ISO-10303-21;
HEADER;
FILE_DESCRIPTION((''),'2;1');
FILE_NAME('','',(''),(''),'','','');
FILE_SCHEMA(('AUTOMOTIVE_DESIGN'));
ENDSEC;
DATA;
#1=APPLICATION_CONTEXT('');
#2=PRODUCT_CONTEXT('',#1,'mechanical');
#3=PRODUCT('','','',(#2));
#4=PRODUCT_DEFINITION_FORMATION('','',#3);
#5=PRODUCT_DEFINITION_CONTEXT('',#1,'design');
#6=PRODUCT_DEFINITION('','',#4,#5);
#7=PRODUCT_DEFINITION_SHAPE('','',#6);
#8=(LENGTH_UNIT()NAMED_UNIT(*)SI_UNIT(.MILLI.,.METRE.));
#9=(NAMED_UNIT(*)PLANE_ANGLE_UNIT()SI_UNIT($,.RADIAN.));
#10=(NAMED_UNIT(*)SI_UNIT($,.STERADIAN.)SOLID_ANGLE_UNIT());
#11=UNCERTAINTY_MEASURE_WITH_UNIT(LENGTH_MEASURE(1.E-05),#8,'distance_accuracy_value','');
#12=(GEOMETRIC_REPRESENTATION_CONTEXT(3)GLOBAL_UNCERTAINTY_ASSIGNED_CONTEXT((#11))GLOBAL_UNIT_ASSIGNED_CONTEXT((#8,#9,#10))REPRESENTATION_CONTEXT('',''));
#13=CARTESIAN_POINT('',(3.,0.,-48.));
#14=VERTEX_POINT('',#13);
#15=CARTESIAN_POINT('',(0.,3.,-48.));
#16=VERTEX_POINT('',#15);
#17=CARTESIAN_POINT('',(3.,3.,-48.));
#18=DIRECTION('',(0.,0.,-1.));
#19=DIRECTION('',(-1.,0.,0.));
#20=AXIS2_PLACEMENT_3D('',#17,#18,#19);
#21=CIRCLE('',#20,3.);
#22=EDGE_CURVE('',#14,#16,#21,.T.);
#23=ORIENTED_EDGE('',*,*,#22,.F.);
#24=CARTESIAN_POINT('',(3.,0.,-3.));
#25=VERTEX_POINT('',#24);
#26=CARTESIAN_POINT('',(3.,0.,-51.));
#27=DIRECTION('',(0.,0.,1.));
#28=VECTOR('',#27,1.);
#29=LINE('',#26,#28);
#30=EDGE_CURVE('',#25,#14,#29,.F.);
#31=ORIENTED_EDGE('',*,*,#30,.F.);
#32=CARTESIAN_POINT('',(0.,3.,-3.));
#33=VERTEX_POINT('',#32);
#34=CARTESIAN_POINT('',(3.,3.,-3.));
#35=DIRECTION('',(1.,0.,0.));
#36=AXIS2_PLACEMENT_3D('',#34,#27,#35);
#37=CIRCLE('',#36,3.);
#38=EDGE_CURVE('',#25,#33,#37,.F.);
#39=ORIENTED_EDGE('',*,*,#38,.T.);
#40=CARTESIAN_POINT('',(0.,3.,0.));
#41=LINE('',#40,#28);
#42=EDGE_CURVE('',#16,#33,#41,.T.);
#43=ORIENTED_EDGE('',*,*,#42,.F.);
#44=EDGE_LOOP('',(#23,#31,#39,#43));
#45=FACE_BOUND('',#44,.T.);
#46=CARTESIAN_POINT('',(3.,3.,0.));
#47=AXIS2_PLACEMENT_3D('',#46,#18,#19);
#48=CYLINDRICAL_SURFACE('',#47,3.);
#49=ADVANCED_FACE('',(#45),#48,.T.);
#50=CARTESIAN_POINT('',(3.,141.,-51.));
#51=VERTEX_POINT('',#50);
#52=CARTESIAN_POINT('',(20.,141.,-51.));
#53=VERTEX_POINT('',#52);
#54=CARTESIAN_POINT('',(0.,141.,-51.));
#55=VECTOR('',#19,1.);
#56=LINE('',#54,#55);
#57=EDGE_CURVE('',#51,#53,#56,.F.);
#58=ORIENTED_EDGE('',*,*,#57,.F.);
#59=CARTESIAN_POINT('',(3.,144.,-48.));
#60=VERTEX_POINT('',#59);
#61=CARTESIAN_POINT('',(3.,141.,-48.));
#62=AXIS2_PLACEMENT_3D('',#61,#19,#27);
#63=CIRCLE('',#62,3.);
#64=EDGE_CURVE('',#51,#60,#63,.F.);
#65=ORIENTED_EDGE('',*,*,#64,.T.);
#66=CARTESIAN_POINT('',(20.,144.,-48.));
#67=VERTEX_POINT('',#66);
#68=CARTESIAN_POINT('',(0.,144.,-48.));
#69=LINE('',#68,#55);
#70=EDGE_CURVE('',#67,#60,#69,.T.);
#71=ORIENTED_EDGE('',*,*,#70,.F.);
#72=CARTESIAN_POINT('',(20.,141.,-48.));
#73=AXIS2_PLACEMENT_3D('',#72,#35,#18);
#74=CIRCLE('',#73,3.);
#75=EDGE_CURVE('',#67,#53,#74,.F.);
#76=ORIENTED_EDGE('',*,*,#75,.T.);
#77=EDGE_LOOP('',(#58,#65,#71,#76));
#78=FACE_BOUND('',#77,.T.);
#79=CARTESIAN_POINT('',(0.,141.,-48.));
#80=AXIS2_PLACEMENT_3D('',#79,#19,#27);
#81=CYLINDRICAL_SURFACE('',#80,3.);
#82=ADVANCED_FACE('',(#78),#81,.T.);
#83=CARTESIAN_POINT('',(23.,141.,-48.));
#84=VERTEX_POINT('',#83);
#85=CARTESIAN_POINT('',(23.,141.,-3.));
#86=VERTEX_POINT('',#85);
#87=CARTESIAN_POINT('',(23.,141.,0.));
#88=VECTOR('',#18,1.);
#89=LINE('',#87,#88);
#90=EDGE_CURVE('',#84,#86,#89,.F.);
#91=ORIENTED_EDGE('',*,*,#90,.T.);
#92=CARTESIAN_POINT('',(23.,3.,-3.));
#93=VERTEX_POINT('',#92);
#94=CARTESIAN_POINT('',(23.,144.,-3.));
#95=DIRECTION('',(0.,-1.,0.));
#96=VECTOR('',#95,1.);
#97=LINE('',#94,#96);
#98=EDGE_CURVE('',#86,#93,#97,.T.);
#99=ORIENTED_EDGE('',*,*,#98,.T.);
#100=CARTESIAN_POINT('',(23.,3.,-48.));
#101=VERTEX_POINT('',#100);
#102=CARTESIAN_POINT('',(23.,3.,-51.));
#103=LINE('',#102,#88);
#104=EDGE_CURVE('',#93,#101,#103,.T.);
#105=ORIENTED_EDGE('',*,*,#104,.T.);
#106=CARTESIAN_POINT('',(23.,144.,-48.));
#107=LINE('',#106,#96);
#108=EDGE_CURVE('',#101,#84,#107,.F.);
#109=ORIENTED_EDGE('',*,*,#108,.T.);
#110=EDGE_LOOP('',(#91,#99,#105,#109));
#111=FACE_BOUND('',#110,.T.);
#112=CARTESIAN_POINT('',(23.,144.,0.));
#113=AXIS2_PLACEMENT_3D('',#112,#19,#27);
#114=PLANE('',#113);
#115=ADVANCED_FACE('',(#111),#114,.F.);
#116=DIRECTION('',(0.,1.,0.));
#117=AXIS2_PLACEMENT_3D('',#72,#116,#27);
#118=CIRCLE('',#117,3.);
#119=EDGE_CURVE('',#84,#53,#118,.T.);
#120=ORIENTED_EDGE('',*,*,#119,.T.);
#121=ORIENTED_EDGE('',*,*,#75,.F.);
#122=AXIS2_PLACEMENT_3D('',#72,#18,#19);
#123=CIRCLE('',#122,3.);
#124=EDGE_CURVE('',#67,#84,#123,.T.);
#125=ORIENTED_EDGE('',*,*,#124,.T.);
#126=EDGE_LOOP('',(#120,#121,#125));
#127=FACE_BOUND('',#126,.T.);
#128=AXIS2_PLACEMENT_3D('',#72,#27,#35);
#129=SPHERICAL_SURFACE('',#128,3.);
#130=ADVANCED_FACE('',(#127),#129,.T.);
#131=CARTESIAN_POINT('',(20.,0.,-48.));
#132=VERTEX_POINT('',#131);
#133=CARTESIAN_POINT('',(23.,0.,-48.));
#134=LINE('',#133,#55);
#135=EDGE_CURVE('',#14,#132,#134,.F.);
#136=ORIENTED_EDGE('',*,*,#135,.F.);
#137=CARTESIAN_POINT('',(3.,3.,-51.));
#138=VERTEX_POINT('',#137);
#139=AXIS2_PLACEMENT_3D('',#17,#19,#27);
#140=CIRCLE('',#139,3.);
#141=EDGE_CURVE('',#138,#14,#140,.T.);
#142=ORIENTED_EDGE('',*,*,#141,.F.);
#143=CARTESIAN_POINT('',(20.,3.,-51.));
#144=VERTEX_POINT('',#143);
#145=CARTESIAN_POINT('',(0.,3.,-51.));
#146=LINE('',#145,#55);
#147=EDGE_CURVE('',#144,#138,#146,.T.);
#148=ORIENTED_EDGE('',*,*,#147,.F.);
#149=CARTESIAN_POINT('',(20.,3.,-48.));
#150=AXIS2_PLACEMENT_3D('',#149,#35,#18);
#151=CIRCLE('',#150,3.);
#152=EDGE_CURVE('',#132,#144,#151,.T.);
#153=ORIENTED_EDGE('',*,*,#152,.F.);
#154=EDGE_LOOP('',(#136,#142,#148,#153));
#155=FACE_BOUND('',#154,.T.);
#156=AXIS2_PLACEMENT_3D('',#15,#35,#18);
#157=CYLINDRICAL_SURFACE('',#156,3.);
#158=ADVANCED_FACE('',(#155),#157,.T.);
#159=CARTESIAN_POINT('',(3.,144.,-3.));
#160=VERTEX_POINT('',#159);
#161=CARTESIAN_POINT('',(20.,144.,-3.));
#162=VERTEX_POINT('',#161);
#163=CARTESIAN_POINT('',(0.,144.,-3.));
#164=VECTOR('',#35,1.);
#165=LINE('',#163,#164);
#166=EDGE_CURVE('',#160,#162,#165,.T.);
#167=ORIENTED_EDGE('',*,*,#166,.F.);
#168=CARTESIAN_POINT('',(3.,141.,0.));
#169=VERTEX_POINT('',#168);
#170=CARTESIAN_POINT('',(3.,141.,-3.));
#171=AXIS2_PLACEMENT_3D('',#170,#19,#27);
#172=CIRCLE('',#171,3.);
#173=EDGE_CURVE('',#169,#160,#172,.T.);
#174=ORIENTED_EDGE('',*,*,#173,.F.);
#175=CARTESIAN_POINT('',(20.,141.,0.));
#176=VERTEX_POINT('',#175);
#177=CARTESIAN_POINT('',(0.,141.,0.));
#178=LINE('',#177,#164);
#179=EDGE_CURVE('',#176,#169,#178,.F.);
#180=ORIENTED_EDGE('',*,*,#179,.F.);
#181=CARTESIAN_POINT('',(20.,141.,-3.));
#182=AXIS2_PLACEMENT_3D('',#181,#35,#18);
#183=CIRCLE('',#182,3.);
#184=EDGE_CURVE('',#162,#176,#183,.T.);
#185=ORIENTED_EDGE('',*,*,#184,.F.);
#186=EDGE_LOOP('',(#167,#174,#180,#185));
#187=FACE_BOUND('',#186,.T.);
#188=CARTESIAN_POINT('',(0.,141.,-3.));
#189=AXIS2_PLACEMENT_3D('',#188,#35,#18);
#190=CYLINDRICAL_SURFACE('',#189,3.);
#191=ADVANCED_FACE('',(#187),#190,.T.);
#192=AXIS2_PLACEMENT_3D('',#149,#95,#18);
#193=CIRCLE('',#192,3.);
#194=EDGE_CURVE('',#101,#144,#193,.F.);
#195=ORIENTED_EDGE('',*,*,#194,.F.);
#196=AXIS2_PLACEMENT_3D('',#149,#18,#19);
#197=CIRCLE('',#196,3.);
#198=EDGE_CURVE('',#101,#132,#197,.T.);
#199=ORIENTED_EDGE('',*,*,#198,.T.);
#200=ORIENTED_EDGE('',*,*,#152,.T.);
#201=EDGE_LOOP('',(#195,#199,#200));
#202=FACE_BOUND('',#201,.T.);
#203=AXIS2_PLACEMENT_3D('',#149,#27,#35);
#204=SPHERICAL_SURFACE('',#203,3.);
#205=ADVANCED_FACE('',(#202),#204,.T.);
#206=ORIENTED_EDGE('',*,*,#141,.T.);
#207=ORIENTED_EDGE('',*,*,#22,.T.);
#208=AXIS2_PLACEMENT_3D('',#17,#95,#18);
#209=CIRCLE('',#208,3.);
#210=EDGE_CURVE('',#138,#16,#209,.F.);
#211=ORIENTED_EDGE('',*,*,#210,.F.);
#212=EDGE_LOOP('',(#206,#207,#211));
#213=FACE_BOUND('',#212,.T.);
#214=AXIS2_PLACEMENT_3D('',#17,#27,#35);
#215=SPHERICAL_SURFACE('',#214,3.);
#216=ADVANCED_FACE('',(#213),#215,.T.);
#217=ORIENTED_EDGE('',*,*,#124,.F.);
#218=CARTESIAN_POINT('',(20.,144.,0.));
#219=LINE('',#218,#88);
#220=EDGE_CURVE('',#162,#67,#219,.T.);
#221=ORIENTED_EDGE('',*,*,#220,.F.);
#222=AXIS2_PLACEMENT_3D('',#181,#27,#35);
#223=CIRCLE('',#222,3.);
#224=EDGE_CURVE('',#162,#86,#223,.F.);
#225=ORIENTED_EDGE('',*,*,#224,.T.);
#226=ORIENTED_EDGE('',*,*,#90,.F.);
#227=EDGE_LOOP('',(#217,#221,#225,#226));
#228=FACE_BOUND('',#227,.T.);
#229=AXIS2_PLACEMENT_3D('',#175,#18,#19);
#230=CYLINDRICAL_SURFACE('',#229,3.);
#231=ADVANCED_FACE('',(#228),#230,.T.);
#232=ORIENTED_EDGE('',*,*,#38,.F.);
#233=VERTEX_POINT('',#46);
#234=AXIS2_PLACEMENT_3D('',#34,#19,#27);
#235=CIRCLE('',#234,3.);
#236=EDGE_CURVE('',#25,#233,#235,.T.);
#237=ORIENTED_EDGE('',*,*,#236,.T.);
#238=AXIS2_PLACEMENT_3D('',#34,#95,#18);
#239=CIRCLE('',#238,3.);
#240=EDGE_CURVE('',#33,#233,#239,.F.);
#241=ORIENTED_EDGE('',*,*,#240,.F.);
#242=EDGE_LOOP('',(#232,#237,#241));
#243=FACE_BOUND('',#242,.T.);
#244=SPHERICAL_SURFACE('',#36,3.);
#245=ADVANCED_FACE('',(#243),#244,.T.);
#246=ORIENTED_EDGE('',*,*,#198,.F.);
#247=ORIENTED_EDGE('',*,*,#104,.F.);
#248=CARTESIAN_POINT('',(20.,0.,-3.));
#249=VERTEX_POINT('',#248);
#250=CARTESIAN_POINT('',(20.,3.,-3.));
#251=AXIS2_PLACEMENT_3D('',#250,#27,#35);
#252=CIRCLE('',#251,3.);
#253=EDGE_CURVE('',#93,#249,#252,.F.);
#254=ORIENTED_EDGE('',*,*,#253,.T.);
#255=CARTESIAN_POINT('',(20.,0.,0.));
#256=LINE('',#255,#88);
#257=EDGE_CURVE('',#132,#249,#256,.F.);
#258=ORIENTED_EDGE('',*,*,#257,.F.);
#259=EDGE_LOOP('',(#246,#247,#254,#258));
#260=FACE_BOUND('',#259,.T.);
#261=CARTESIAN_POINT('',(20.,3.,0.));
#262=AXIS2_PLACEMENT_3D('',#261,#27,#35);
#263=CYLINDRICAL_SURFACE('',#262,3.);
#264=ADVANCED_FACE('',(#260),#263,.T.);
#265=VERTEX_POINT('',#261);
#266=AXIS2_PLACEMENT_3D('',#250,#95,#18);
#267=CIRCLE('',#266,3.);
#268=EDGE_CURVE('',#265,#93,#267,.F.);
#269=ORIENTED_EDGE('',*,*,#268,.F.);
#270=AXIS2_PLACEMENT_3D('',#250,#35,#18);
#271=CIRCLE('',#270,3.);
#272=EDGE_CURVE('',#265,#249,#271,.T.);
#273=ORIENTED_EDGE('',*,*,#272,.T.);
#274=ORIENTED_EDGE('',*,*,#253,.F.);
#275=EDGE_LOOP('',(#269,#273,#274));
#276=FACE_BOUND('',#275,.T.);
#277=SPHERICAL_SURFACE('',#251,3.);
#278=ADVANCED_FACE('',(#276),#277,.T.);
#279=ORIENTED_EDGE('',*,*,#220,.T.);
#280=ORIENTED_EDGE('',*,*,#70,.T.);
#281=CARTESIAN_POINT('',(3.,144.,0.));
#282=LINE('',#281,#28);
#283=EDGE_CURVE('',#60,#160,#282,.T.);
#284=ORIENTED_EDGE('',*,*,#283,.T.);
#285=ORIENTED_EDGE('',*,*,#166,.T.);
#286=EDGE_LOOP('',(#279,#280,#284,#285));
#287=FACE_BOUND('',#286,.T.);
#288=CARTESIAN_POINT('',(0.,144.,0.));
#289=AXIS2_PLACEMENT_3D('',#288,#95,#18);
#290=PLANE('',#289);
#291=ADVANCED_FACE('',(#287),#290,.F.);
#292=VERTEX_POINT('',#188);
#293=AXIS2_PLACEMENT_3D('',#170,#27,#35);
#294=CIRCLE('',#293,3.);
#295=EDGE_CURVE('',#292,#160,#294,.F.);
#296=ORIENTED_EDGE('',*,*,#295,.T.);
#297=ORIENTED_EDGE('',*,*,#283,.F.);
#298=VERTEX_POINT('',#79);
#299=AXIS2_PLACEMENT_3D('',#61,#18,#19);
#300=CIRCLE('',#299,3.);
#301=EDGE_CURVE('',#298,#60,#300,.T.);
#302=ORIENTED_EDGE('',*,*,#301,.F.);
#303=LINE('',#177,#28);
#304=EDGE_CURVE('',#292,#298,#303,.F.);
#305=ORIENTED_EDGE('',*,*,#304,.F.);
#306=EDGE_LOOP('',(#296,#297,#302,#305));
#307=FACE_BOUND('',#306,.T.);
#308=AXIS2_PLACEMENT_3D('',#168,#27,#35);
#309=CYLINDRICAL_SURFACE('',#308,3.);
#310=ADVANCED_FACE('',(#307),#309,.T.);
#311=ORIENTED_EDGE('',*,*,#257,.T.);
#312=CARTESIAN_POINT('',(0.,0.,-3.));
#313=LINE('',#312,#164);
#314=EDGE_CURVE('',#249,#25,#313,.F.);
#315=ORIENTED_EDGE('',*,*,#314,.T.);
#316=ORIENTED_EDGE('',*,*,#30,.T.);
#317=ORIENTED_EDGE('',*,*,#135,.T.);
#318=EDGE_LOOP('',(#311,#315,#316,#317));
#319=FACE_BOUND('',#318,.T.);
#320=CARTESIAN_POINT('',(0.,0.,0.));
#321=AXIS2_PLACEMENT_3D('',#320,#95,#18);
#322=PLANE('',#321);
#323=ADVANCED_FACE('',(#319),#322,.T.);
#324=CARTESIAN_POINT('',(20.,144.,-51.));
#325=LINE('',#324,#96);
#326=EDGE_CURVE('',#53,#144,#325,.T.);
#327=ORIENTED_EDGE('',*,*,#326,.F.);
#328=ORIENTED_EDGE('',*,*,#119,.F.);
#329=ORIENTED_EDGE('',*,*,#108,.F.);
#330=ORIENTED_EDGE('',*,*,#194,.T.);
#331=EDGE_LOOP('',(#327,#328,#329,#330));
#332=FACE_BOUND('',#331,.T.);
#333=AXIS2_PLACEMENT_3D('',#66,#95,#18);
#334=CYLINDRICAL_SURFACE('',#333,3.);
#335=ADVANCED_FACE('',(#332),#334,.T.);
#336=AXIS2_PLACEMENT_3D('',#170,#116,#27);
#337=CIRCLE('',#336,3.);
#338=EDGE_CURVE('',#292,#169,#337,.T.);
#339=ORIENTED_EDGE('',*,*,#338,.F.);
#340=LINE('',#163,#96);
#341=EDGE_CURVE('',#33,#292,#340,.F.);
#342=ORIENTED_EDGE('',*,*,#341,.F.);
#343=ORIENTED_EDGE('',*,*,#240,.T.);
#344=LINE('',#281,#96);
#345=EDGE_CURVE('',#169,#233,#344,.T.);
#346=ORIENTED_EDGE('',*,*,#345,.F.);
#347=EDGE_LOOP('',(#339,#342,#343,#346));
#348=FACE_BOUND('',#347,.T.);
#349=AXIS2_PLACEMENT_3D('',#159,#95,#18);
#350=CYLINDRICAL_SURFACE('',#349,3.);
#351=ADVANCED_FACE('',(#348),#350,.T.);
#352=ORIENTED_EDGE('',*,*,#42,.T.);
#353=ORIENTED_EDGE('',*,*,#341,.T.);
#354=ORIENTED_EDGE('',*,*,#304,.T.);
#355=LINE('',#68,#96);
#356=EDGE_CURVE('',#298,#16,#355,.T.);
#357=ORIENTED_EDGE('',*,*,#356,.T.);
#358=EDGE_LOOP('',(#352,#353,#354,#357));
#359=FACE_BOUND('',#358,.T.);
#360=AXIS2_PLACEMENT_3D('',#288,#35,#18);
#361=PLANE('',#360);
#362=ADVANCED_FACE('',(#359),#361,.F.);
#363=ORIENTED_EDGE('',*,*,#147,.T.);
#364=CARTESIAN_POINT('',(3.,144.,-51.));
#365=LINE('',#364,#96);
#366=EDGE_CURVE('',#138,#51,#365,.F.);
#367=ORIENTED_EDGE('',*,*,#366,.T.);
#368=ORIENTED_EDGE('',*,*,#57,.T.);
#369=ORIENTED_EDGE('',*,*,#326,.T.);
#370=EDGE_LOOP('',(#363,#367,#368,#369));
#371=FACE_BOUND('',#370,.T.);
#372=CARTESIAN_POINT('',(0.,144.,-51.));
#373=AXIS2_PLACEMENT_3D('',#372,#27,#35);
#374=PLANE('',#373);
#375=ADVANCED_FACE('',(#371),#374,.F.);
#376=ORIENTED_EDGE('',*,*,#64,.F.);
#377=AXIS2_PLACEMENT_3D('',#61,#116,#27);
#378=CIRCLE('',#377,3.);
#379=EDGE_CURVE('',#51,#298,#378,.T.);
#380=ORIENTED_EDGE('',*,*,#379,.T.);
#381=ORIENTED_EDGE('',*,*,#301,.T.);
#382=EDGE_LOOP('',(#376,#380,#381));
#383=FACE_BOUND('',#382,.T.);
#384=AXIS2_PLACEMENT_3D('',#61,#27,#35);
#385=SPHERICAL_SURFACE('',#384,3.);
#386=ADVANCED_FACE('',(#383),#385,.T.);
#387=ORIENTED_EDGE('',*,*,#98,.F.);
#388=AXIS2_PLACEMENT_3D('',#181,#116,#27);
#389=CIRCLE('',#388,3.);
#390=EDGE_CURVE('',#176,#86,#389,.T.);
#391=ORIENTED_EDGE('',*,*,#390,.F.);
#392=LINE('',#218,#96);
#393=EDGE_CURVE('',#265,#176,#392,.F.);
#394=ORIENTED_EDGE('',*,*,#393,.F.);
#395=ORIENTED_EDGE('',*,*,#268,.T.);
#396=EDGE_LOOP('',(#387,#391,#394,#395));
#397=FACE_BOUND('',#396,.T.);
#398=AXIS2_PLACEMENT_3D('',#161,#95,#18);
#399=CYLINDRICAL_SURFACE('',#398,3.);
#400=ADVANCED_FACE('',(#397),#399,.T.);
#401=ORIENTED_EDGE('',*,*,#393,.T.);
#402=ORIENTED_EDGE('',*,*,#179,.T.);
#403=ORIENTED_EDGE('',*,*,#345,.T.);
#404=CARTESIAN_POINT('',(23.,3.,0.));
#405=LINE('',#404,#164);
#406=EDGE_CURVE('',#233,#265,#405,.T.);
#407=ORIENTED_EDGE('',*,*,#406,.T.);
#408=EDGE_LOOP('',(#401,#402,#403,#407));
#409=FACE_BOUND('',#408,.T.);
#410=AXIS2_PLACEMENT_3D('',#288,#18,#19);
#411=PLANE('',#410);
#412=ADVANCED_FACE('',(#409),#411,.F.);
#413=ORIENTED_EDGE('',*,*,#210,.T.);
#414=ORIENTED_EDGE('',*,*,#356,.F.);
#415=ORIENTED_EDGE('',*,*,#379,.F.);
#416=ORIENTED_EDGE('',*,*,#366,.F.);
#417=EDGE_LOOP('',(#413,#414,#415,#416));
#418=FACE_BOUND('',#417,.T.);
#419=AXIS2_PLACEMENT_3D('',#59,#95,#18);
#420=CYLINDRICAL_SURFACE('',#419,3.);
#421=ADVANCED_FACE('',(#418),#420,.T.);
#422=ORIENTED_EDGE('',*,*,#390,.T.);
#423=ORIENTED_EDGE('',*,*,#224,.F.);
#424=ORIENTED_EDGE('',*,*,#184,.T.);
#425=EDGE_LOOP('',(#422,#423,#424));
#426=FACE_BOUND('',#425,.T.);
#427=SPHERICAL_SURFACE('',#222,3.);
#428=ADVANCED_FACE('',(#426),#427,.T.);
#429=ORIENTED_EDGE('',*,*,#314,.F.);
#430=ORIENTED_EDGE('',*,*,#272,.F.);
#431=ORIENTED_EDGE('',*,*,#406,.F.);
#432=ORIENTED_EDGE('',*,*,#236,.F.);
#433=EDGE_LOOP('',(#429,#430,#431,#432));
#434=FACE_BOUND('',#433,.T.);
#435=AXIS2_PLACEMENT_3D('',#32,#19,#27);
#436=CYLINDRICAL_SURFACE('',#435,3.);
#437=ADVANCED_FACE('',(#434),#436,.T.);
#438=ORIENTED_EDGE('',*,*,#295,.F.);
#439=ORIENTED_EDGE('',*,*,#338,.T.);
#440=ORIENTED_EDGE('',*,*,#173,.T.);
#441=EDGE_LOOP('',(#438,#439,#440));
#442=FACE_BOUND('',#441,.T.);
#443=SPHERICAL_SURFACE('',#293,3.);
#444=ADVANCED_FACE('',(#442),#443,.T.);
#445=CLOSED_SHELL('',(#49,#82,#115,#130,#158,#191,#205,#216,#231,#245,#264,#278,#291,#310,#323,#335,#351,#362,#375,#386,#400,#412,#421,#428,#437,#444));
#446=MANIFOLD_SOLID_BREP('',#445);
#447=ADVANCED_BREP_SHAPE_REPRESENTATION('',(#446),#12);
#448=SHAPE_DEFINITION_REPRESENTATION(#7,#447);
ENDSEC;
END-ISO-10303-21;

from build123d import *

# Parameters (mm, degrees)
SKETCH1_W           = 23
SKETCH1_H           = 51
BOSS_EXTRUDE1_DEPTH = 144
FILLET1_R           = 3


with BuildPart() as part:
    # Sketch1 → Boss-Extrude1 (new body)
    with BuildSketch(Plane(origin=(0, 0, 0), x_dir=(1, 0, 0), z_dir=(0, 1, 0))):
        with Locations((11.5, 25.5)):
            Rectangle(SKETCH1_W, SKETCH1_H)
    extrude(amount=BOSS_EXTRUDE1_DEPTH)

    # Fillet1
    fillet1_edges = [part.edges().sort_by_distance(p)[0] for p in [
        (23, 144, -25.5),
        (11.5, 144, -51),
        (0, 144, -25.5),
        (11.5, 0, -51),
        (23, 0, -25.5),
        (11.5, 0, 0),
        (0, 0, -25.5),
        (11.5, 144, 0),
        (0, 72, -51),
        (23, 72, -51),
        (23, 72, 0),
        (0, 72, 0),
    ]]
    fillet(fillet1_edges, radius=FILLET1_R)


solid = part.part
